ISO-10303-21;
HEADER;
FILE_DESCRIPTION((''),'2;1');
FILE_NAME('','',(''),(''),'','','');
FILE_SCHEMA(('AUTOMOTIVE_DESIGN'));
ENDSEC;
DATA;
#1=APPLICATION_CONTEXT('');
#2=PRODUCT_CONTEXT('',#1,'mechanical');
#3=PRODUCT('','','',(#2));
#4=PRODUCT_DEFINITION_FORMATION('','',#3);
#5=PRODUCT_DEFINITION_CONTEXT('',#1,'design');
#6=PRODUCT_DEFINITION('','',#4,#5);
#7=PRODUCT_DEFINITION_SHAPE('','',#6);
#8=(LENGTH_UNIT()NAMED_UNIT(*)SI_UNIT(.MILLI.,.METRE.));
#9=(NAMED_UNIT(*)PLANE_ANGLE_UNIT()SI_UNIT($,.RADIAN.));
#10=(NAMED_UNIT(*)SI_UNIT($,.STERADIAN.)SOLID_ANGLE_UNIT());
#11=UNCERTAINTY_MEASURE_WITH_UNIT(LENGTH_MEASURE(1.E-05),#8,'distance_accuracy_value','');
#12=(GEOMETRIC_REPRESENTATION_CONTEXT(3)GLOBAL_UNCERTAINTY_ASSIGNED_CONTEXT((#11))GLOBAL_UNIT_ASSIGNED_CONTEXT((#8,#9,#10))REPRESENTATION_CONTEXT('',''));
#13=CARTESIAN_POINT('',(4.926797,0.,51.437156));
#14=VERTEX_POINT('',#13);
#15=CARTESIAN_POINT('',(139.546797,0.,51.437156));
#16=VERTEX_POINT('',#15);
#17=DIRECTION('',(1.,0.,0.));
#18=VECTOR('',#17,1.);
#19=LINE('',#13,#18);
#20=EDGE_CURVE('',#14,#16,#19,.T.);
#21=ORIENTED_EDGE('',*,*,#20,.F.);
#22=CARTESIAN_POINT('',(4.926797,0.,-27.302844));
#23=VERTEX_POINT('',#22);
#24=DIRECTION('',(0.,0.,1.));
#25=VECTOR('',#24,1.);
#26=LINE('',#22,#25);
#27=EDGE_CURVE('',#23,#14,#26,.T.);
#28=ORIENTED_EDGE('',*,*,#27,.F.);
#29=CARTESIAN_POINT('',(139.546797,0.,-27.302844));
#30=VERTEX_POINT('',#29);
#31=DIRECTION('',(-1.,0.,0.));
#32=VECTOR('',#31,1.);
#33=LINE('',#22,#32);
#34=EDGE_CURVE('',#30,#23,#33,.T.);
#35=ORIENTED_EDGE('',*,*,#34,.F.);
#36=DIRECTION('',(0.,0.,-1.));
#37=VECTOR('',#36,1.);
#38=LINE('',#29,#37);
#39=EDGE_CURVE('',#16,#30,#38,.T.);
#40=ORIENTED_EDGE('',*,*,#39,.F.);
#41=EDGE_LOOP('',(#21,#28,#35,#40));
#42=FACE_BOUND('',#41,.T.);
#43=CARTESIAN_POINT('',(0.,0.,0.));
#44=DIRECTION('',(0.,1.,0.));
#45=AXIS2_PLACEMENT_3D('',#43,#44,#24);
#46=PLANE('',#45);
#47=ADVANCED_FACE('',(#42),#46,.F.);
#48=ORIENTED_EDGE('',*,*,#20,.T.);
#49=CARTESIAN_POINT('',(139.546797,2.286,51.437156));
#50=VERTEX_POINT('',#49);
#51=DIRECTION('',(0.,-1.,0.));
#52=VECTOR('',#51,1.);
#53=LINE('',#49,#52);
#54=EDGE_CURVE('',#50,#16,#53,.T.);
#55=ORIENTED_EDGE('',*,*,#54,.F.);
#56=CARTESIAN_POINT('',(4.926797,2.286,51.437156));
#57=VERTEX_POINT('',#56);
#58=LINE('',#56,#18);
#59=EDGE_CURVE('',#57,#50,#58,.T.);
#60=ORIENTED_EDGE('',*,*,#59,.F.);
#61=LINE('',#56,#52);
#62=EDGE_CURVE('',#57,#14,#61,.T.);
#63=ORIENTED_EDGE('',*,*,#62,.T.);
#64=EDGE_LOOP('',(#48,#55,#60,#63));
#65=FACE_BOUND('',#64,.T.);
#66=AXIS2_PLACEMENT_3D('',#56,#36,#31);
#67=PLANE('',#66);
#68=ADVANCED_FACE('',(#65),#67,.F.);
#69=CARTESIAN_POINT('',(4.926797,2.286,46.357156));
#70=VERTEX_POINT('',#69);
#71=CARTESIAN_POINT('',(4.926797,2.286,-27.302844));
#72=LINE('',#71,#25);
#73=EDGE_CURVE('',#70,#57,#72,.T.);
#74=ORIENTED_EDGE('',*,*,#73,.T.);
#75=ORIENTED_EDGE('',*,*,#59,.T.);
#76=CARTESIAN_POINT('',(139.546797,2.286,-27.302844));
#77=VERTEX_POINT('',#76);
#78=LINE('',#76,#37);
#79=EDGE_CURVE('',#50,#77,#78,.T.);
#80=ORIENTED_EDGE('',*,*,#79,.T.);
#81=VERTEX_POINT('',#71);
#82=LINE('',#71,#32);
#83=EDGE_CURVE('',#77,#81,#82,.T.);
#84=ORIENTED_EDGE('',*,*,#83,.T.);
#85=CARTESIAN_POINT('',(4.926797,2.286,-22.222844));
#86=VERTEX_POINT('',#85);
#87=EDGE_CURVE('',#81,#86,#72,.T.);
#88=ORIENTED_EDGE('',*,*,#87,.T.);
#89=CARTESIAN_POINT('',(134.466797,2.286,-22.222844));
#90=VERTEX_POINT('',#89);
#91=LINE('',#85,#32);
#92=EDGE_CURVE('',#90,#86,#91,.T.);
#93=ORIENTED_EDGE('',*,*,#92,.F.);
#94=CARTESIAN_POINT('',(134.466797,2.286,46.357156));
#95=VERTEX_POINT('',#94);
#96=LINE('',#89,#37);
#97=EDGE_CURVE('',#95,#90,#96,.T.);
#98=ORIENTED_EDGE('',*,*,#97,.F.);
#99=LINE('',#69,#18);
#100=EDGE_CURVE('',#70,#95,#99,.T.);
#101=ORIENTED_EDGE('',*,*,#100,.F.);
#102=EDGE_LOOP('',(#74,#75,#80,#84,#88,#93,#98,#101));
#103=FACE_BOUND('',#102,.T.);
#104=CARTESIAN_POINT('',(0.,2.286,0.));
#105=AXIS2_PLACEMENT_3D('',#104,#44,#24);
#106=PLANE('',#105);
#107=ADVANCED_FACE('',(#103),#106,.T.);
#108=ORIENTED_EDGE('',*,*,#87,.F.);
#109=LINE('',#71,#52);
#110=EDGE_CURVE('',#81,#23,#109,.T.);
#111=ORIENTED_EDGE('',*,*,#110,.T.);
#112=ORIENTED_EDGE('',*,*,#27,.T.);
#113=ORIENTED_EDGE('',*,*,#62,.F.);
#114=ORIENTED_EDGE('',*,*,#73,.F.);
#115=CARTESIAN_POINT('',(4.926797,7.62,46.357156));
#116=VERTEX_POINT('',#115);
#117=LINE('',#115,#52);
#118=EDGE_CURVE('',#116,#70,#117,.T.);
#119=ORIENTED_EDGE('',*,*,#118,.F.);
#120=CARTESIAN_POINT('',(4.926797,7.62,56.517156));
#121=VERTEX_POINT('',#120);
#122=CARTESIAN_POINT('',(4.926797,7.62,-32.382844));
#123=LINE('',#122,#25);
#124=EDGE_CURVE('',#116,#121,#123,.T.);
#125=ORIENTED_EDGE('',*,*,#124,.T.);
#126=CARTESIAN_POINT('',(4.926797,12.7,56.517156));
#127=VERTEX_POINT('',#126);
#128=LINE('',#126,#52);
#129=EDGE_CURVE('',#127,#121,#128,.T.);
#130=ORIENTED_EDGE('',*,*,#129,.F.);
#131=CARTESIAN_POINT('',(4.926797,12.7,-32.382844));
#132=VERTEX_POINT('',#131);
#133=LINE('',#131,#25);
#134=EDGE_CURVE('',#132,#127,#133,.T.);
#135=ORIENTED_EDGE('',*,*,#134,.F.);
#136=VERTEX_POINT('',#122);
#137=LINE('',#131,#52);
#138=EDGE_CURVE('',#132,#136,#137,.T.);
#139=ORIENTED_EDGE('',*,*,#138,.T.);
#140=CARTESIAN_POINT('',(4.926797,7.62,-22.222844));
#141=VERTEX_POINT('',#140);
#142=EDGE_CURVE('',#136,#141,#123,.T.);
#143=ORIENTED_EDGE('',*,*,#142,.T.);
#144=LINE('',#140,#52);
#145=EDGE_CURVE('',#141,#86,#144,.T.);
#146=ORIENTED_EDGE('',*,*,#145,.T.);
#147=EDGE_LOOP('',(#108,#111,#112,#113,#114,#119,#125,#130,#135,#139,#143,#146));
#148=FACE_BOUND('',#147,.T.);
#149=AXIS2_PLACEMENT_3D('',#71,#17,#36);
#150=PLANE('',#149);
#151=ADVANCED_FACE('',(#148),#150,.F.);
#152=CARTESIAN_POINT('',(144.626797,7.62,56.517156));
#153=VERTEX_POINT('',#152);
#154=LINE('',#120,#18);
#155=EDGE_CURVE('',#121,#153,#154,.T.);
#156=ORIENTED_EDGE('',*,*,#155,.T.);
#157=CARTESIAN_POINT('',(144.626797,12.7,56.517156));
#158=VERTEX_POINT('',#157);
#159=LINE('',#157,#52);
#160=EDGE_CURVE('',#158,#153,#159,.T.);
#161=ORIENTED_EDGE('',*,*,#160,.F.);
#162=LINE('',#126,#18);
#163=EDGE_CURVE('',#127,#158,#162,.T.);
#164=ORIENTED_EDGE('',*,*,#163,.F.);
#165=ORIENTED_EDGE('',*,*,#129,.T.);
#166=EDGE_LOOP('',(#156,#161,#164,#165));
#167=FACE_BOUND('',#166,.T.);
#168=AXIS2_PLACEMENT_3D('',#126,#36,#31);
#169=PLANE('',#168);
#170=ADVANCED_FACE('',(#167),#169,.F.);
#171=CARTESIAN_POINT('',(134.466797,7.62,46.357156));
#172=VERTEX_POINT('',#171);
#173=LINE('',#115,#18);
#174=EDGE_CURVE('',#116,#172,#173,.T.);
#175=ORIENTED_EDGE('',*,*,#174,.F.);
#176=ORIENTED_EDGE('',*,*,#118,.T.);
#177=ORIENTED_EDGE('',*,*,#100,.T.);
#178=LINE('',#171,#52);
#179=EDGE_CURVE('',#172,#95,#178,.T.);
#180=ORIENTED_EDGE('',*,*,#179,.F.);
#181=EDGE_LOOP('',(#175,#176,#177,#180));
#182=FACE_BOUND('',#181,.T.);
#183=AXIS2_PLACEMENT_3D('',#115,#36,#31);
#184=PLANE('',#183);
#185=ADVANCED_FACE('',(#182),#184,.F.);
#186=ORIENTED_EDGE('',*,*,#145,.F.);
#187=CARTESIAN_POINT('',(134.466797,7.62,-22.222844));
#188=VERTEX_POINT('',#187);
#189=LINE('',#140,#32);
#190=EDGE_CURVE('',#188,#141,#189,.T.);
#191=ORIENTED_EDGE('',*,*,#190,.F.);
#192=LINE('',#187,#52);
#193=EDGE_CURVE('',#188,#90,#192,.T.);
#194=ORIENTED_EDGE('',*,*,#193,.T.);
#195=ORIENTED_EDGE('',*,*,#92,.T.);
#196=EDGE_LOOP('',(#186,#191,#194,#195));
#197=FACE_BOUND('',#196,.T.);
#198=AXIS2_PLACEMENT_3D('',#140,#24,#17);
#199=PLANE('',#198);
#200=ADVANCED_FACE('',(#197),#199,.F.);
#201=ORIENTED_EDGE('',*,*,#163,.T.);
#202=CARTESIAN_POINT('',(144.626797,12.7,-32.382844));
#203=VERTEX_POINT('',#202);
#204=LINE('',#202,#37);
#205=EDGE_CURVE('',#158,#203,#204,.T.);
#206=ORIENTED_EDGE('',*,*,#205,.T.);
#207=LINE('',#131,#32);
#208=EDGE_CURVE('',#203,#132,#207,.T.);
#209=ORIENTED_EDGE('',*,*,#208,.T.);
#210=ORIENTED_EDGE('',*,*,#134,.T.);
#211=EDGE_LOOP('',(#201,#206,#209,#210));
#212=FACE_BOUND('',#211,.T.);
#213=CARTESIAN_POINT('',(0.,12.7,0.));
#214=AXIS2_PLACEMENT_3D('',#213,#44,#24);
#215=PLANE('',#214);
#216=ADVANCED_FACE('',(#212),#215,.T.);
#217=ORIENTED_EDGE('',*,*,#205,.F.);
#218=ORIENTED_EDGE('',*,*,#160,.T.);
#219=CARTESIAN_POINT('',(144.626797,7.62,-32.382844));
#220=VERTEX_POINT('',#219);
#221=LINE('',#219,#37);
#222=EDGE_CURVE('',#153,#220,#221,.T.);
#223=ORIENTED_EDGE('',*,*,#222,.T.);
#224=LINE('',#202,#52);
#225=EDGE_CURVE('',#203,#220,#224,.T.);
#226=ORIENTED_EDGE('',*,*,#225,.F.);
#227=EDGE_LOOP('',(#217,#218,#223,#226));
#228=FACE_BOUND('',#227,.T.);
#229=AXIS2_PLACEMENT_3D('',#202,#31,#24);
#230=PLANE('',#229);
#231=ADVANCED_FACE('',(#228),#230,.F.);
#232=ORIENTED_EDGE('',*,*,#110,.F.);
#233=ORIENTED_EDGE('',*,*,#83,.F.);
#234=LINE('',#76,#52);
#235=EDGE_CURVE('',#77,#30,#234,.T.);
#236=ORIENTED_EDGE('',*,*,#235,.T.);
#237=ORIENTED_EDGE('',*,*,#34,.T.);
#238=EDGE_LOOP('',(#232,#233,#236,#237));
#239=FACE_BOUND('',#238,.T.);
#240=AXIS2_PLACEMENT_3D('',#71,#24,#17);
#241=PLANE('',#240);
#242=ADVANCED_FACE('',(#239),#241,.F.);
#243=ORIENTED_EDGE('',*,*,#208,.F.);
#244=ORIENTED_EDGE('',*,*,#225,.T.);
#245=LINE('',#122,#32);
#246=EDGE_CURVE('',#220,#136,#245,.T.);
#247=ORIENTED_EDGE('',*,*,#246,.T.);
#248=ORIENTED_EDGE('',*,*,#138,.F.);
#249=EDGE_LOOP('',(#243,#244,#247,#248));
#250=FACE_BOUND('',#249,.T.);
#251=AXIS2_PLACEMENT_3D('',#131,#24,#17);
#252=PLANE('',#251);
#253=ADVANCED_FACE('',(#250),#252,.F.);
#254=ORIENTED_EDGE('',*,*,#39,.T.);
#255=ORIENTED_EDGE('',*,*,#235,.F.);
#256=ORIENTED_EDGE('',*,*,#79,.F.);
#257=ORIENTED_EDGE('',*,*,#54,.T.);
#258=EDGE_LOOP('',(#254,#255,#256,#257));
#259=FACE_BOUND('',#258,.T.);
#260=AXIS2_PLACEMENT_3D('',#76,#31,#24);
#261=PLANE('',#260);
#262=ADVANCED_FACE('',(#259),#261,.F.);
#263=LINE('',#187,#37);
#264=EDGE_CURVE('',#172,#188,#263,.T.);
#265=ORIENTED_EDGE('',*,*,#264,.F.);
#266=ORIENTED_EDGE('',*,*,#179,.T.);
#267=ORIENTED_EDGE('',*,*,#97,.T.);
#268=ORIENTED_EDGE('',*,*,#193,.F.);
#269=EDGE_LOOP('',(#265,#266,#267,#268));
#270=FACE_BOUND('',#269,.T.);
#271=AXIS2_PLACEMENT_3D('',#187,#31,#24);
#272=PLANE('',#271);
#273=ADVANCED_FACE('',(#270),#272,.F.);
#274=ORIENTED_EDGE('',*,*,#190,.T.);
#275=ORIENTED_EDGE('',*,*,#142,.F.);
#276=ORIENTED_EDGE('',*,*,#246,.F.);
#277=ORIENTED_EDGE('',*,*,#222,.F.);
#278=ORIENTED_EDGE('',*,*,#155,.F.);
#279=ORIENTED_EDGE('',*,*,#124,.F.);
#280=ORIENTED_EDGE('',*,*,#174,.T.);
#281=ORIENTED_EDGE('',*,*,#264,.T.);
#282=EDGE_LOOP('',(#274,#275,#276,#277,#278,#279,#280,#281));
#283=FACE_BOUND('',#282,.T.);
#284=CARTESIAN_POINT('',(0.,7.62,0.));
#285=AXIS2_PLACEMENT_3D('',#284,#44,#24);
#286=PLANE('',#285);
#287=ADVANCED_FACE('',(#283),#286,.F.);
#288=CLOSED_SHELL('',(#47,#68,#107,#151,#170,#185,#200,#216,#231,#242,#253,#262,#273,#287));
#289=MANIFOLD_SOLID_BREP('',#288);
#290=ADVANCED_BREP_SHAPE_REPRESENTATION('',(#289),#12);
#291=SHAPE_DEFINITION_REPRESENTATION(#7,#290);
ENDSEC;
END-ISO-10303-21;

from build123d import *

# Parameters (mm, degrees)
SKETCH1_W           = 134.62
SKETCH1_H           = 78.74
BOSS_EXTRUDE1_DEPTH = 2.286
SKETCH2_W           = 129.54
SKETCH2_H           = 68.58
BOSS_EXTRUDE2_DEPTH = 5.334
SKETCH3_W           = 139.7
SKETCH3_H           = 88.9
BOSS_EXTRUDE3_DEPTH = 5.08


with BuildPart() as part:
    # Sketch1 → Boss-Extrude1 (new body)
    with BuildSketch(Plane(origin=(0, 0, 0), x_dir=(1, 0, 0), z_dir=(0, 1, 0))):
        with Locations((72.236796638, -12.067156206)):
            Rectangle(SKETCH1_W, SKETCH1_H)
    extrude(amount=BOSS_EXTRUDE1_DEPTH)

    # Sketch2 → Boss-Extrude2 (add)
    with BuildSketch(Plane(origin=(0, 2.286, 0), x_dir=(1, 0, 0), z_dir=(0, 1, 0))):
        with Locations((69.696796638, -12.067156206)):
            Rectangle(SKETCH2_W, SKETCH2_H)
    extrude(amount=BOSS_EXTRUDE2_DEPTH)

    # Sketch3 → Boss-Extrude3 (add)
    with BuildSketch(Plane(origin=(0, 7.62, 0), x_dir=(1, 0, 0), z_dir=(0, 1, 0))):
        with Locations((74.776796638, -12.067156206)):
            Rectangle(SKETCH3_W, SKETCH3_H)
    extrude(amount=BOSS_EXTRUDE3_DEPTH)


solid = part.part
